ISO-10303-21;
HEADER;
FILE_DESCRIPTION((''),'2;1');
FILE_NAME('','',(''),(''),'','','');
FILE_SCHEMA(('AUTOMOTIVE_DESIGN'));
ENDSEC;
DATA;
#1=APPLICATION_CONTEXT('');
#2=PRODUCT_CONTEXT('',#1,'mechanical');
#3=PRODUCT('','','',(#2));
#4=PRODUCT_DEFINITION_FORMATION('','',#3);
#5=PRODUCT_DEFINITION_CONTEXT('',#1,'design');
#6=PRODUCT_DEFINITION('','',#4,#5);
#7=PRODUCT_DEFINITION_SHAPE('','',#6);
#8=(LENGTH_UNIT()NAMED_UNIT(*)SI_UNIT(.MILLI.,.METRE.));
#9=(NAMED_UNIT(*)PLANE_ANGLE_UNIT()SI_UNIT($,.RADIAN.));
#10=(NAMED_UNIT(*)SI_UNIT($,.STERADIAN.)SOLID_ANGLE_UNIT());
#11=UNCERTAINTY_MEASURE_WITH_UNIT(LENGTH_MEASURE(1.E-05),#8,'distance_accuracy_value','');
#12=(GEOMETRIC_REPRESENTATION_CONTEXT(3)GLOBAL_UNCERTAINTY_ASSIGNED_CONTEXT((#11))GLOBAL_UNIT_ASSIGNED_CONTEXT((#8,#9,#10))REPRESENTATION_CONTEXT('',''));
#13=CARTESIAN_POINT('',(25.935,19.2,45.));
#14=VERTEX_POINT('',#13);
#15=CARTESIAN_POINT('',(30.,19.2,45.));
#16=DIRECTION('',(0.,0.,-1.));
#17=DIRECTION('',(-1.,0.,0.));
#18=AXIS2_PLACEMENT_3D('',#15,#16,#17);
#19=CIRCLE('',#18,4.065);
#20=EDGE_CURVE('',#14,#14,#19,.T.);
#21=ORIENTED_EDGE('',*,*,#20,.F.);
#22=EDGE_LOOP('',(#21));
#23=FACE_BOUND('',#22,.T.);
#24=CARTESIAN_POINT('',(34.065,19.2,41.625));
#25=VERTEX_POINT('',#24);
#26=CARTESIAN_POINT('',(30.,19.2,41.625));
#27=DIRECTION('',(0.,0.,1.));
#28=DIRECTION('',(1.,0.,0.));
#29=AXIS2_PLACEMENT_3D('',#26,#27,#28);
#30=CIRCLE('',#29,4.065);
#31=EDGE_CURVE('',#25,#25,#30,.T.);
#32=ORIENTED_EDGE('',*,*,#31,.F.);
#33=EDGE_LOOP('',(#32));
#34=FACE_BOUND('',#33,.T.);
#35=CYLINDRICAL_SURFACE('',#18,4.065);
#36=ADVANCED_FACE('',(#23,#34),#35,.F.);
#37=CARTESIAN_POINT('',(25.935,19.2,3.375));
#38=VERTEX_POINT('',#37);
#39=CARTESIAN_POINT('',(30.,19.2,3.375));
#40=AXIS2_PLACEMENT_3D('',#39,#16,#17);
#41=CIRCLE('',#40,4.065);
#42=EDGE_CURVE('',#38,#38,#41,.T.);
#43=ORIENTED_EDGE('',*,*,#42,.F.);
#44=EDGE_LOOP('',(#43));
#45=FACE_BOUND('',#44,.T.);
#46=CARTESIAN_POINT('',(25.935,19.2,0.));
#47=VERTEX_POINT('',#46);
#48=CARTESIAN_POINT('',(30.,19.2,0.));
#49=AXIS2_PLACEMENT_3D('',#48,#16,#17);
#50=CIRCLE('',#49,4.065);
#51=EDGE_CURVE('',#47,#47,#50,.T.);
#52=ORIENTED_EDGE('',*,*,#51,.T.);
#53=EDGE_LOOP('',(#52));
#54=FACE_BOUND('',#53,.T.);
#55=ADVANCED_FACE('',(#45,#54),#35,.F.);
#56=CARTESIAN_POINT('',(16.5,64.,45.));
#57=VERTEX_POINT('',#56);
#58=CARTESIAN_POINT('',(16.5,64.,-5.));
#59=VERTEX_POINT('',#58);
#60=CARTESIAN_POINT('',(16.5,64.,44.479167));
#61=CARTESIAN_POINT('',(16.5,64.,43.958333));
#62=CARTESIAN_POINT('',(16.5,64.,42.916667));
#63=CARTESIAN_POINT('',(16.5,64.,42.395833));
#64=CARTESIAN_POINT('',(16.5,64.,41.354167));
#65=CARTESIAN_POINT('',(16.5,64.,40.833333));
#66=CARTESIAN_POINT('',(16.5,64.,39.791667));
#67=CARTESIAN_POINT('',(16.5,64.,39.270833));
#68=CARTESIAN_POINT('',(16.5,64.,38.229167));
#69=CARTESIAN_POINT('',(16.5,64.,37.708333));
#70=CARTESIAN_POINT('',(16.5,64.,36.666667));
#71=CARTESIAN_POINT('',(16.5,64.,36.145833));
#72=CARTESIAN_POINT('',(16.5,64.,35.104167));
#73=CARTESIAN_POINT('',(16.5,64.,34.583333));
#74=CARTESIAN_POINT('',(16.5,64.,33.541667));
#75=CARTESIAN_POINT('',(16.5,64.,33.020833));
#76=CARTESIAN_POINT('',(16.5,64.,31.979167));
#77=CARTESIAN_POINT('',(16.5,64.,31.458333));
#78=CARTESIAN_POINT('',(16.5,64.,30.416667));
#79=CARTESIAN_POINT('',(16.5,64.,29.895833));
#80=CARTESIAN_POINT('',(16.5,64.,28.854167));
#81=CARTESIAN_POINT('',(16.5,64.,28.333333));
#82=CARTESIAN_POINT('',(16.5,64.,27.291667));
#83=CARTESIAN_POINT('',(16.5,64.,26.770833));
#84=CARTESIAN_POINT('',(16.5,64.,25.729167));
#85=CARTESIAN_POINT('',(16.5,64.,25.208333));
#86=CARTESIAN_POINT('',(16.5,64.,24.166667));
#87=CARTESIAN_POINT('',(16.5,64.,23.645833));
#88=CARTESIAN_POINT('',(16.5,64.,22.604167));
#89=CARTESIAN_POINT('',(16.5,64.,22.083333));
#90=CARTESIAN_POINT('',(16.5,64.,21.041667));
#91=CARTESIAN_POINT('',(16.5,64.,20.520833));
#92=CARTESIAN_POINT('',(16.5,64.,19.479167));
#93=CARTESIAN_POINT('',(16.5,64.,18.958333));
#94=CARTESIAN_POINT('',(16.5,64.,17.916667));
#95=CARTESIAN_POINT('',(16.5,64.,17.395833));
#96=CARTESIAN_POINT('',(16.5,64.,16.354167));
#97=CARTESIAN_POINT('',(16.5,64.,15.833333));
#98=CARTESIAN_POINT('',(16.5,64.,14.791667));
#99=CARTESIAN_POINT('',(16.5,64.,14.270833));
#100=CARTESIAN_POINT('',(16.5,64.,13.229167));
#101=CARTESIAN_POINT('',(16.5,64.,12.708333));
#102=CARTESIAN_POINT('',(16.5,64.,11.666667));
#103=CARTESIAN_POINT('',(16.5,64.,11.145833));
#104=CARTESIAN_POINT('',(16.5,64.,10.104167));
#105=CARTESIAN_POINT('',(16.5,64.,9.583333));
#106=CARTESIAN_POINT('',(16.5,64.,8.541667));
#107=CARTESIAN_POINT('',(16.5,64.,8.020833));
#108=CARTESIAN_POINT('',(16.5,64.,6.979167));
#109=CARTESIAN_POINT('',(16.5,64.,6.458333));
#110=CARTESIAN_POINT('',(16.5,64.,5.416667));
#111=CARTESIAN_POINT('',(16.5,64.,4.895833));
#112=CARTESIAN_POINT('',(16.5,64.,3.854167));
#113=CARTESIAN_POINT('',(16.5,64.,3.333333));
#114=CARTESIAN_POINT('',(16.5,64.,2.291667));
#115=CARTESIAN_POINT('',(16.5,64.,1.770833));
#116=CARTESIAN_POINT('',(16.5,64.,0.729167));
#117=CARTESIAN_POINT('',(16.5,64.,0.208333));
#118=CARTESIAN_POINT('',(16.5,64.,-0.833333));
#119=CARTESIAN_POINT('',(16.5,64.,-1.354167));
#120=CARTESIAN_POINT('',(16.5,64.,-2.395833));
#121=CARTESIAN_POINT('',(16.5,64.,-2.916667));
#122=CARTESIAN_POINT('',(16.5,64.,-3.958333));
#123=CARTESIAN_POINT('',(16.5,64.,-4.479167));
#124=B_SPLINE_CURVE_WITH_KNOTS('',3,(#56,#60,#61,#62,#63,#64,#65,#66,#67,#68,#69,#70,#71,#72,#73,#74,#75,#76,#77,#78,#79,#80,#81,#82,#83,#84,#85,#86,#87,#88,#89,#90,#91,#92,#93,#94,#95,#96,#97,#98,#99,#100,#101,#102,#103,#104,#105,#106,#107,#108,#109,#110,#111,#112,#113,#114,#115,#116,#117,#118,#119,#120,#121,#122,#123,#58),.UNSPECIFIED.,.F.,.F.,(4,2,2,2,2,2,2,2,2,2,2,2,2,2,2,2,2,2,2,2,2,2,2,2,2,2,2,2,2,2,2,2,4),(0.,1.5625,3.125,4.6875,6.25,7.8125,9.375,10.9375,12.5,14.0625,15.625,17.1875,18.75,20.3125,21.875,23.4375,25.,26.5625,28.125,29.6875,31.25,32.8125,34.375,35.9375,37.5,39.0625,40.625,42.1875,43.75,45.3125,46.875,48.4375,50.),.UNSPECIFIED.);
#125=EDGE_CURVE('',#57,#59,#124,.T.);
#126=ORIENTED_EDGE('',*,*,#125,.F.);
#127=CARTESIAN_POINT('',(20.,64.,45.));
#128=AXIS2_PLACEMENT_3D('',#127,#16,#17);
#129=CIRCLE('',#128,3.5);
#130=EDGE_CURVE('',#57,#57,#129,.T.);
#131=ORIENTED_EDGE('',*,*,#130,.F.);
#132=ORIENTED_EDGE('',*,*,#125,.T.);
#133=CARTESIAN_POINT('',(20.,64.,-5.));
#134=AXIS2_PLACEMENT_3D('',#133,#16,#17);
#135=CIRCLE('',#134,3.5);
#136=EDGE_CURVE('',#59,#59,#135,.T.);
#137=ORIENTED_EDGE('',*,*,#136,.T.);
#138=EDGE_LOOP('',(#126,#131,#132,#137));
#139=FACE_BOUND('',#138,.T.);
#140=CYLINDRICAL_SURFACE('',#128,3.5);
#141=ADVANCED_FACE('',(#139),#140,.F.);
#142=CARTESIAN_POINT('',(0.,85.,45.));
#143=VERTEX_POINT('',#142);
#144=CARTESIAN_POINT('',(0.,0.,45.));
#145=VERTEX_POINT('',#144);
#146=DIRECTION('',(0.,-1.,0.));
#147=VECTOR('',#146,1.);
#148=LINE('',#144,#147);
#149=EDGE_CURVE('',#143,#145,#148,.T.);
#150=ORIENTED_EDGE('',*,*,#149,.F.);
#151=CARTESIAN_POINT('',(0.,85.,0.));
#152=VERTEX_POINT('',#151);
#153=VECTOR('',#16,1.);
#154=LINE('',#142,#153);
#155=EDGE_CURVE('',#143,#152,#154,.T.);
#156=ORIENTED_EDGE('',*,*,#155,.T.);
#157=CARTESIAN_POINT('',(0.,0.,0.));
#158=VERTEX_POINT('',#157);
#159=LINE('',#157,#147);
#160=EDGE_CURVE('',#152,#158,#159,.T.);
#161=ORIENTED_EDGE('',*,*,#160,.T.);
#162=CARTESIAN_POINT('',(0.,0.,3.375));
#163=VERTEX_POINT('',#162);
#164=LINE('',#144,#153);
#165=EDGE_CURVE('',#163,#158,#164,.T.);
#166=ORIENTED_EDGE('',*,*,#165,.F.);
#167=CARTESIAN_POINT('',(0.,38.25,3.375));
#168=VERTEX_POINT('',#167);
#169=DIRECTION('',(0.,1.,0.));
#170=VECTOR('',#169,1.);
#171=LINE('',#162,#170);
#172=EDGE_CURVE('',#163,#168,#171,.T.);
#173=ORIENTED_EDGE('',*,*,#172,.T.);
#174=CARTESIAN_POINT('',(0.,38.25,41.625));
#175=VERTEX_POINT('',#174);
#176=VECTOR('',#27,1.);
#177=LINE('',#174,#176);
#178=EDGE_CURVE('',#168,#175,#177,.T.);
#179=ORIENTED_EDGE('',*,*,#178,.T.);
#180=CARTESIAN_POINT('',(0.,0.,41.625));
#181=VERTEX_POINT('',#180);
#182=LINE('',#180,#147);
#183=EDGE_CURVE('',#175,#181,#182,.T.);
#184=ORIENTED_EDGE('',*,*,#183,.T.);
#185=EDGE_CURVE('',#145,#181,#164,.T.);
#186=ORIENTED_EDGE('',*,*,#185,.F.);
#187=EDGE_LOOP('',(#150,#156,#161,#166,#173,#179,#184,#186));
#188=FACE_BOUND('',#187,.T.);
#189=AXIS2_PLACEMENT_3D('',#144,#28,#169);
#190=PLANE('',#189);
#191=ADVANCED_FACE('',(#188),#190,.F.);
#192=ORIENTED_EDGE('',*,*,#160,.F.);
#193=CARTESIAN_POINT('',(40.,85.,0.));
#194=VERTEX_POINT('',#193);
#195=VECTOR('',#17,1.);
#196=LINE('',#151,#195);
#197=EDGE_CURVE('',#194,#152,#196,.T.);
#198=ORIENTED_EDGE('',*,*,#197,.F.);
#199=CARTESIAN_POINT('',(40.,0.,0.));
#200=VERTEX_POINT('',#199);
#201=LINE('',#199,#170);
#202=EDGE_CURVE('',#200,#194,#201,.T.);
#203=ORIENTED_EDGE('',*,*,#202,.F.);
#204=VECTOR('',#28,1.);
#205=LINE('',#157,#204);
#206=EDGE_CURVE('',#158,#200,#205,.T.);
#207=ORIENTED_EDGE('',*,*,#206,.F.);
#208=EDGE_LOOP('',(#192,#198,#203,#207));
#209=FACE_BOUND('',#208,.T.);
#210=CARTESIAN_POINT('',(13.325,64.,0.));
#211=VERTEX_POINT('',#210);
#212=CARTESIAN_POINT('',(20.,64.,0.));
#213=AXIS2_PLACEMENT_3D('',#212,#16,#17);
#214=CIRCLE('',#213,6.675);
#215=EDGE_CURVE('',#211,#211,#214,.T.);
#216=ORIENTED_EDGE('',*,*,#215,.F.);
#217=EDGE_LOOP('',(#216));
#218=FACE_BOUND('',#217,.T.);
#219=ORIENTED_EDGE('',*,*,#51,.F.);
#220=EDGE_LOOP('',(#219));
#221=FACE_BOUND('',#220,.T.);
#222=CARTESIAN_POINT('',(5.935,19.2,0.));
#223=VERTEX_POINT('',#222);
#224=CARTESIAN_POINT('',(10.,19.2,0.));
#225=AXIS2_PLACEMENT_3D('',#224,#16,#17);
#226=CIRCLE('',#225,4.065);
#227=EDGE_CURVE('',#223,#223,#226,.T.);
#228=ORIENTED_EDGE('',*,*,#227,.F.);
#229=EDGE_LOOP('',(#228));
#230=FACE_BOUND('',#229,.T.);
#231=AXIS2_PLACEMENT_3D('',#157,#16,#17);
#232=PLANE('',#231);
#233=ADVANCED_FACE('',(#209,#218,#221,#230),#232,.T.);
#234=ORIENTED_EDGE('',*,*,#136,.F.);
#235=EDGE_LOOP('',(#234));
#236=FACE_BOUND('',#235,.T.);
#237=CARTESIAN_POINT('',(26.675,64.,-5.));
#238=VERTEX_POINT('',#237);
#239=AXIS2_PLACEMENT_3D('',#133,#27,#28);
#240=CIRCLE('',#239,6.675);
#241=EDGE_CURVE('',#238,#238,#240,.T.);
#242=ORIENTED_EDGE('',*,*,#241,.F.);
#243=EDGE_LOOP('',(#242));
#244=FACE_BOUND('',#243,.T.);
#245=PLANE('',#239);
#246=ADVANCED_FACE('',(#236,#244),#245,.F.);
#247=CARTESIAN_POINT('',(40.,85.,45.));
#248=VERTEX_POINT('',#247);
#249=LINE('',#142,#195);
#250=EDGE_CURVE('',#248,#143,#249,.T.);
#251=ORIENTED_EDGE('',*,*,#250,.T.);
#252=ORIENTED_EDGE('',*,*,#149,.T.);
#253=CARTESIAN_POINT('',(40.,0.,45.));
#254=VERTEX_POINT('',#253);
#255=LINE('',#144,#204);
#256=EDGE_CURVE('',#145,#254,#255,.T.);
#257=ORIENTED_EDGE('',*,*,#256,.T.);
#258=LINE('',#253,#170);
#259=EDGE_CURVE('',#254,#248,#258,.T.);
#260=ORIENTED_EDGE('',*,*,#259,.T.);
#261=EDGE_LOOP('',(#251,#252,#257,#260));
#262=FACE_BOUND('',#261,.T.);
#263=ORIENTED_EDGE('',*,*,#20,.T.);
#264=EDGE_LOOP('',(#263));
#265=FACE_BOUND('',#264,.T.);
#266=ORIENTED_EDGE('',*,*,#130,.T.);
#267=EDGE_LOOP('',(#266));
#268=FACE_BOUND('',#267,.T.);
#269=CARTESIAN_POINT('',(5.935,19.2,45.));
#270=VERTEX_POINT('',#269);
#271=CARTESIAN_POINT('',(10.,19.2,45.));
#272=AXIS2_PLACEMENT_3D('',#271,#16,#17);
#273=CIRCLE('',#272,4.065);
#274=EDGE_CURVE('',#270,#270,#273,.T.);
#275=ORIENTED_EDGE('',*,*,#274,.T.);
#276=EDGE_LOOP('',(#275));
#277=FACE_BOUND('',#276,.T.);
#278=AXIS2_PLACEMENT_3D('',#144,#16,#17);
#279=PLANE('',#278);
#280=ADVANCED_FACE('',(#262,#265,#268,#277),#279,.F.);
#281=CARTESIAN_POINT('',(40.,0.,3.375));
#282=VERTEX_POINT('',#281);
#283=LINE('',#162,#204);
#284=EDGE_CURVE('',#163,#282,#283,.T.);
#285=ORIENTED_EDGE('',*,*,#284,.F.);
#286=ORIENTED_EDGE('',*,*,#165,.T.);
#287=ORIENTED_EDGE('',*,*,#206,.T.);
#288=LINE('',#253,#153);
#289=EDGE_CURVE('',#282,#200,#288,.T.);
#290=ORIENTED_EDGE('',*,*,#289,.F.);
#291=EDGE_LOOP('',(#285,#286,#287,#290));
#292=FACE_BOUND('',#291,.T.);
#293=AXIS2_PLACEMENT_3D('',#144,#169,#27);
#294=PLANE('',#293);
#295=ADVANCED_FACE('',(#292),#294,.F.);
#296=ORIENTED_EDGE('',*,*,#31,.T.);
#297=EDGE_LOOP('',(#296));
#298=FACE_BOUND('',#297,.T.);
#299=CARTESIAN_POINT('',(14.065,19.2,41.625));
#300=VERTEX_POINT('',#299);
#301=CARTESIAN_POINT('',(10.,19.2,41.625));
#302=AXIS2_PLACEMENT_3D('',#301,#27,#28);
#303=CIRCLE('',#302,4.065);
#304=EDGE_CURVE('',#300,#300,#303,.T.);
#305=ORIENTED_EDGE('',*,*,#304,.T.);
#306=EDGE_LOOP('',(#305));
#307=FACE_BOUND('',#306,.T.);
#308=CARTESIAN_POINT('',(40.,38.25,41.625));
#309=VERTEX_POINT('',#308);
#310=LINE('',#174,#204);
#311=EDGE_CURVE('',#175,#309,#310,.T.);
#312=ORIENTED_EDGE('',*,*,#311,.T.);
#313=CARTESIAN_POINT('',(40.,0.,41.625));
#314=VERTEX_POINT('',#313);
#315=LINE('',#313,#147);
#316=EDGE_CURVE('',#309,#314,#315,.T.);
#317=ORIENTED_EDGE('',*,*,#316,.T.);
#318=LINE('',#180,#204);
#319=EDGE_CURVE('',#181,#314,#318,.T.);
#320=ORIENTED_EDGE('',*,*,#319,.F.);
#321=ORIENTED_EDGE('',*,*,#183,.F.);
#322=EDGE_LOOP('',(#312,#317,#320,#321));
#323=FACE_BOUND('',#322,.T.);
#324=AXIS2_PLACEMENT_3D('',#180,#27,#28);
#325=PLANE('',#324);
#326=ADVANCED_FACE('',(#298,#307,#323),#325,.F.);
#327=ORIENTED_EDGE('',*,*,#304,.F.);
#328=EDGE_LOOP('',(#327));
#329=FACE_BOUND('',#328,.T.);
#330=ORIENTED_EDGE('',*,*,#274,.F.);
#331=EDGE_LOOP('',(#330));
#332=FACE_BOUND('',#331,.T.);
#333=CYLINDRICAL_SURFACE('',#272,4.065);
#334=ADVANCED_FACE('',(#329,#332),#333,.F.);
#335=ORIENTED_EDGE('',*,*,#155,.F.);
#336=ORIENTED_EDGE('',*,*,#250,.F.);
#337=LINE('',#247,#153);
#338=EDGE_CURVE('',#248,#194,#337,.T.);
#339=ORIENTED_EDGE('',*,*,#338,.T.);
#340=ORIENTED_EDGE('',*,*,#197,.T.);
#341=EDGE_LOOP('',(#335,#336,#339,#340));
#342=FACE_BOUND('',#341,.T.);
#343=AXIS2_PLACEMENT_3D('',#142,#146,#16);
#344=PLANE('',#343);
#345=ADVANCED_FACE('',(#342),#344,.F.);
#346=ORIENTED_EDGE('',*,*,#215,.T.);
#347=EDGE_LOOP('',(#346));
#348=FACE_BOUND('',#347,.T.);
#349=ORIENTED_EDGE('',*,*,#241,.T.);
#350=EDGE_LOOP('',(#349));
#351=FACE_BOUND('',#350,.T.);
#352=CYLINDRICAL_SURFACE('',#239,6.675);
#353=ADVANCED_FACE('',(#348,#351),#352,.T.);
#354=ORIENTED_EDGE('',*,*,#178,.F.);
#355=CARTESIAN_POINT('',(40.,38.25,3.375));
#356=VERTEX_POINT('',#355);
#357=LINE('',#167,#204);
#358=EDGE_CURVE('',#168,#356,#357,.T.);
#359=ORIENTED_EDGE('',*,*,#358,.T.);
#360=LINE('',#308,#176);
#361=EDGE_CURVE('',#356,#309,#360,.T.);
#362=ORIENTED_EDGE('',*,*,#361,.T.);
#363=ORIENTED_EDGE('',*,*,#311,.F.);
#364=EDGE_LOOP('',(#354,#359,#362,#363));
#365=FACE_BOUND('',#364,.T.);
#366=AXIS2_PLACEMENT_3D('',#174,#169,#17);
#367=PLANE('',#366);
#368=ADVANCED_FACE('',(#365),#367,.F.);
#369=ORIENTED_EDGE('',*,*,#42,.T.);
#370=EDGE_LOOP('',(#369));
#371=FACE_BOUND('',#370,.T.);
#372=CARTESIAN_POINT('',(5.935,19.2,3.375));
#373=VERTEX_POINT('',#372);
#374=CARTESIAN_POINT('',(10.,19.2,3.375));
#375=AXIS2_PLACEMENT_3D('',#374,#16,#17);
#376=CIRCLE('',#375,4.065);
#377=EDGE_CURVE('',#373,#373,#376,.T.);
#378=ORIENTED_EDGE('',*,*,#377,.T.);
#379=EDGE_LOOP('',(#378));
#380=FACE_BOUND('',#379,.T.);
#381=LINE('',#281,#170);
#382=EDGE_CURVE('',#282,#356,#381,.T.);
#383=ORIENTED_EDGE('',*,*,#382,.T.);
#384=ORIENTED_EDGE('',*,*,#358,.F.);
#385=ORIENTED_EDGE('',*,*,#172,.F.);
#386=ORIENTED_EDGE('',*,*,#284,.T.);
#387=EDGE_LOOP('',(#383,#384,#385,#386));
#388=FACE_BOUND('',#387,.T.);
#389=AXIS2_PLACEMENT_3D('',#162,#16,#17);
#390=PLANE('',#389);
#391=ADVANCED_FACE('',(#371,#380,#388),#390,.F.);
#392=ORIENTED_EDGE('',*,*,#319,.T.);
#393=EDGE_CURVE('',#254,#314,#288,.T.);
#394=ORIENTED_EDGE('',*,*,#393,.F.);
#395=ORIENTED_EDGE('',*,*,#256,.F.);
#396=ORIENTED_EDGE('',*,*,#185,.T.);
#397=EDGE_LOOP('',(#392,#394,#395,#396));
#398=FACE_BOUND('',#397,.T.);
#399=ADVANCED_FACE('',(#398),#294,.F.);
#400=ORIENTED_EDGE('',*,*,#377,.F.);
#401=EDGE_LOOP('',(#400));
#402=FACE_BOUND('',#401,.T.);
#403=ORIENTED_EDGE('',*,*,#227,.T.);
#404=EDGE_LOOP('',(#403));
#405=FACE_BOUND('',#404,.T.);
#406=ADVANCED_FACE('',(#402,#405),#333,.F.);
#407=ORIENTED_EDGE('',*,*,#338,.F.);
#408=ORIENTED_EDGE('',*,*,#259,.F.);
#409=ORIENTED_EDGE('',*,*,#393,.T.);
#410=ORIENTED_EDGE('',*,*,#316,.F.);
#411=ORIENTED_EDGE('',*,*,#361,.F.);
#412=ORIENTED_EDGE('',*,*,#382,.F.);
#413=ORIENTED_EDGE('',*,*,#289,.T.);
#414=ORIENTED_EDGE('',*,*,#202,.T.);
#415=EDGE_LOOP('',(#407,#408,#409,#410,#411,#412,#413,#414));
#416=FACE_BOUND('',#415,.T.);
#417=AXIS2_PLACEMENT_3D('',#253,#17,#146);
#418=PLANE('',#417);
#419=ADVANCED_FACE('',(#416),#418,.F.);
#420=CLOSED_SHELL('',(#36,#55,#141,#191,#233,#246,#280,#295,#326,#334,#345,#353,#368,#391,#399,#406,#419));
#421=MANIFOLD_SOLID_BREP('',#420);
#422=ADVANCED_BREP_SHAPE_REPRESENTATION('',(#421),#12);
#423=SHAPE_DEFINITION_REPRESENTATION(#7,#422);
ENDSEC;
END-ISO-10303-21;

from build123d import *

# Parameters (mm, degrees)
ESQUISSE1_W                  = 40
ESQUISSE1_H                  = 85
BOSS_EXTRU_1_DEPTH           = 45
ESQUISSE2_W                  = 38.25
ESQUISSE2_H                  = 38.25
ENL_V_MAT_EXTRU_1_DEPTH      = 105.16333328
ENL_V_MAT_EXTRU_2_DEPTH      = 103.75038017
ENL_V_MAT_EXTRU_2_DEPTH_BACK = 103.75038017
ESQUISSE3_R                  = 4.065
ESQUISSE6_R                  = 6.675
BOSS_EXTRU_2_DEPTH           = 5
ENL_V_MAT_EXTRU_4_DEPTH      = 105.16333328
ENL_V_MAT_EXTRU_4_DEPTH_BACK = 105.16333328
ESQUISSE4_R                  = 3.5


with BuildPart() as part:
    # Esquisse1 → Boss.-Extru.1 (new body)
    with BuildSketch(Plane.XY):
        with Locations((20, 42.5)):
            Rectangle(ESQUISSE1_W, ESQUISSE1_H)
    extrude(amount=BOSS_EXTRU_1_DEPTH)

    # Esquisse2 → Enlèv. mat.-Extru.1 (cut, through all)
    with BuildSketch(Plane(origin=(40, 0, 0), x_dir=(0, 0, -1), z_dir=(1, 0, 0))):
        with Locations((-22.5, 19.125)):
            Rectangle(ESQUISSE2_W, ESQUISSE2_H)
    extrude(amount=-ENL_V_MAT_EXTRU_1_DEPTH, mode=Mode.SUBTRACT)

    # Esquisse3 → Enlèv. mat.-Extru.2 (cut, two sides: drawn at the far end of the back side and taken through both)
    with BuildSketch(Plane(origin=(0, 0, 41.625), x_dir=(-1, 0, 0), z_dir=(0, 0, -1)).offset(-ENL_V_MAT_EXTRU_2_DEPTH_BACK)):
        with Locations((-30, 19.2)):
            Circle(ESQUISSE3_R)
        with Locations((-10, 19.2)):
            Circle(ESQUISSE3_R)
    extrude(amount=ENL_V_MAT_EXTRU_2_DEPTH + ENL_V_MAT_EXTRU_2_DEPTH_BACK, mode=Mode.SUBTRACT)

    # Esquisse6 → Boss.-Extru.2 (add)
    with BuildSketch(Plane.XY):
        with Locations((20, 64)):
            Circle(ESQUISSE6_R)
    extrude(amount=-BOSS_EXTRU_2_DEPTH)

    # Esquisse4 → Enlèv. mat.-Extru.4 (cut, two sides: drawn at the far end of the back side and taken through both)
    with BuildSketch(Plane(origin=(0, 0, 0), x_dir=(-1, 0, 0), z_dir=(0, 0, -1)).offset(-ENL_V_MAT_EXTRU_4_DEPTH_BACK)):
        with Locations((-20, 64)):
            Circle(ESQUISSE4_R)
    extrude(amount=ENL_V_MAT_EXTRU_4_DEPTH + ENL_V_MAT_EXTRU_4_DEPTH_BACK, mode=Mode.SUBTRACT)


solid = part.part
